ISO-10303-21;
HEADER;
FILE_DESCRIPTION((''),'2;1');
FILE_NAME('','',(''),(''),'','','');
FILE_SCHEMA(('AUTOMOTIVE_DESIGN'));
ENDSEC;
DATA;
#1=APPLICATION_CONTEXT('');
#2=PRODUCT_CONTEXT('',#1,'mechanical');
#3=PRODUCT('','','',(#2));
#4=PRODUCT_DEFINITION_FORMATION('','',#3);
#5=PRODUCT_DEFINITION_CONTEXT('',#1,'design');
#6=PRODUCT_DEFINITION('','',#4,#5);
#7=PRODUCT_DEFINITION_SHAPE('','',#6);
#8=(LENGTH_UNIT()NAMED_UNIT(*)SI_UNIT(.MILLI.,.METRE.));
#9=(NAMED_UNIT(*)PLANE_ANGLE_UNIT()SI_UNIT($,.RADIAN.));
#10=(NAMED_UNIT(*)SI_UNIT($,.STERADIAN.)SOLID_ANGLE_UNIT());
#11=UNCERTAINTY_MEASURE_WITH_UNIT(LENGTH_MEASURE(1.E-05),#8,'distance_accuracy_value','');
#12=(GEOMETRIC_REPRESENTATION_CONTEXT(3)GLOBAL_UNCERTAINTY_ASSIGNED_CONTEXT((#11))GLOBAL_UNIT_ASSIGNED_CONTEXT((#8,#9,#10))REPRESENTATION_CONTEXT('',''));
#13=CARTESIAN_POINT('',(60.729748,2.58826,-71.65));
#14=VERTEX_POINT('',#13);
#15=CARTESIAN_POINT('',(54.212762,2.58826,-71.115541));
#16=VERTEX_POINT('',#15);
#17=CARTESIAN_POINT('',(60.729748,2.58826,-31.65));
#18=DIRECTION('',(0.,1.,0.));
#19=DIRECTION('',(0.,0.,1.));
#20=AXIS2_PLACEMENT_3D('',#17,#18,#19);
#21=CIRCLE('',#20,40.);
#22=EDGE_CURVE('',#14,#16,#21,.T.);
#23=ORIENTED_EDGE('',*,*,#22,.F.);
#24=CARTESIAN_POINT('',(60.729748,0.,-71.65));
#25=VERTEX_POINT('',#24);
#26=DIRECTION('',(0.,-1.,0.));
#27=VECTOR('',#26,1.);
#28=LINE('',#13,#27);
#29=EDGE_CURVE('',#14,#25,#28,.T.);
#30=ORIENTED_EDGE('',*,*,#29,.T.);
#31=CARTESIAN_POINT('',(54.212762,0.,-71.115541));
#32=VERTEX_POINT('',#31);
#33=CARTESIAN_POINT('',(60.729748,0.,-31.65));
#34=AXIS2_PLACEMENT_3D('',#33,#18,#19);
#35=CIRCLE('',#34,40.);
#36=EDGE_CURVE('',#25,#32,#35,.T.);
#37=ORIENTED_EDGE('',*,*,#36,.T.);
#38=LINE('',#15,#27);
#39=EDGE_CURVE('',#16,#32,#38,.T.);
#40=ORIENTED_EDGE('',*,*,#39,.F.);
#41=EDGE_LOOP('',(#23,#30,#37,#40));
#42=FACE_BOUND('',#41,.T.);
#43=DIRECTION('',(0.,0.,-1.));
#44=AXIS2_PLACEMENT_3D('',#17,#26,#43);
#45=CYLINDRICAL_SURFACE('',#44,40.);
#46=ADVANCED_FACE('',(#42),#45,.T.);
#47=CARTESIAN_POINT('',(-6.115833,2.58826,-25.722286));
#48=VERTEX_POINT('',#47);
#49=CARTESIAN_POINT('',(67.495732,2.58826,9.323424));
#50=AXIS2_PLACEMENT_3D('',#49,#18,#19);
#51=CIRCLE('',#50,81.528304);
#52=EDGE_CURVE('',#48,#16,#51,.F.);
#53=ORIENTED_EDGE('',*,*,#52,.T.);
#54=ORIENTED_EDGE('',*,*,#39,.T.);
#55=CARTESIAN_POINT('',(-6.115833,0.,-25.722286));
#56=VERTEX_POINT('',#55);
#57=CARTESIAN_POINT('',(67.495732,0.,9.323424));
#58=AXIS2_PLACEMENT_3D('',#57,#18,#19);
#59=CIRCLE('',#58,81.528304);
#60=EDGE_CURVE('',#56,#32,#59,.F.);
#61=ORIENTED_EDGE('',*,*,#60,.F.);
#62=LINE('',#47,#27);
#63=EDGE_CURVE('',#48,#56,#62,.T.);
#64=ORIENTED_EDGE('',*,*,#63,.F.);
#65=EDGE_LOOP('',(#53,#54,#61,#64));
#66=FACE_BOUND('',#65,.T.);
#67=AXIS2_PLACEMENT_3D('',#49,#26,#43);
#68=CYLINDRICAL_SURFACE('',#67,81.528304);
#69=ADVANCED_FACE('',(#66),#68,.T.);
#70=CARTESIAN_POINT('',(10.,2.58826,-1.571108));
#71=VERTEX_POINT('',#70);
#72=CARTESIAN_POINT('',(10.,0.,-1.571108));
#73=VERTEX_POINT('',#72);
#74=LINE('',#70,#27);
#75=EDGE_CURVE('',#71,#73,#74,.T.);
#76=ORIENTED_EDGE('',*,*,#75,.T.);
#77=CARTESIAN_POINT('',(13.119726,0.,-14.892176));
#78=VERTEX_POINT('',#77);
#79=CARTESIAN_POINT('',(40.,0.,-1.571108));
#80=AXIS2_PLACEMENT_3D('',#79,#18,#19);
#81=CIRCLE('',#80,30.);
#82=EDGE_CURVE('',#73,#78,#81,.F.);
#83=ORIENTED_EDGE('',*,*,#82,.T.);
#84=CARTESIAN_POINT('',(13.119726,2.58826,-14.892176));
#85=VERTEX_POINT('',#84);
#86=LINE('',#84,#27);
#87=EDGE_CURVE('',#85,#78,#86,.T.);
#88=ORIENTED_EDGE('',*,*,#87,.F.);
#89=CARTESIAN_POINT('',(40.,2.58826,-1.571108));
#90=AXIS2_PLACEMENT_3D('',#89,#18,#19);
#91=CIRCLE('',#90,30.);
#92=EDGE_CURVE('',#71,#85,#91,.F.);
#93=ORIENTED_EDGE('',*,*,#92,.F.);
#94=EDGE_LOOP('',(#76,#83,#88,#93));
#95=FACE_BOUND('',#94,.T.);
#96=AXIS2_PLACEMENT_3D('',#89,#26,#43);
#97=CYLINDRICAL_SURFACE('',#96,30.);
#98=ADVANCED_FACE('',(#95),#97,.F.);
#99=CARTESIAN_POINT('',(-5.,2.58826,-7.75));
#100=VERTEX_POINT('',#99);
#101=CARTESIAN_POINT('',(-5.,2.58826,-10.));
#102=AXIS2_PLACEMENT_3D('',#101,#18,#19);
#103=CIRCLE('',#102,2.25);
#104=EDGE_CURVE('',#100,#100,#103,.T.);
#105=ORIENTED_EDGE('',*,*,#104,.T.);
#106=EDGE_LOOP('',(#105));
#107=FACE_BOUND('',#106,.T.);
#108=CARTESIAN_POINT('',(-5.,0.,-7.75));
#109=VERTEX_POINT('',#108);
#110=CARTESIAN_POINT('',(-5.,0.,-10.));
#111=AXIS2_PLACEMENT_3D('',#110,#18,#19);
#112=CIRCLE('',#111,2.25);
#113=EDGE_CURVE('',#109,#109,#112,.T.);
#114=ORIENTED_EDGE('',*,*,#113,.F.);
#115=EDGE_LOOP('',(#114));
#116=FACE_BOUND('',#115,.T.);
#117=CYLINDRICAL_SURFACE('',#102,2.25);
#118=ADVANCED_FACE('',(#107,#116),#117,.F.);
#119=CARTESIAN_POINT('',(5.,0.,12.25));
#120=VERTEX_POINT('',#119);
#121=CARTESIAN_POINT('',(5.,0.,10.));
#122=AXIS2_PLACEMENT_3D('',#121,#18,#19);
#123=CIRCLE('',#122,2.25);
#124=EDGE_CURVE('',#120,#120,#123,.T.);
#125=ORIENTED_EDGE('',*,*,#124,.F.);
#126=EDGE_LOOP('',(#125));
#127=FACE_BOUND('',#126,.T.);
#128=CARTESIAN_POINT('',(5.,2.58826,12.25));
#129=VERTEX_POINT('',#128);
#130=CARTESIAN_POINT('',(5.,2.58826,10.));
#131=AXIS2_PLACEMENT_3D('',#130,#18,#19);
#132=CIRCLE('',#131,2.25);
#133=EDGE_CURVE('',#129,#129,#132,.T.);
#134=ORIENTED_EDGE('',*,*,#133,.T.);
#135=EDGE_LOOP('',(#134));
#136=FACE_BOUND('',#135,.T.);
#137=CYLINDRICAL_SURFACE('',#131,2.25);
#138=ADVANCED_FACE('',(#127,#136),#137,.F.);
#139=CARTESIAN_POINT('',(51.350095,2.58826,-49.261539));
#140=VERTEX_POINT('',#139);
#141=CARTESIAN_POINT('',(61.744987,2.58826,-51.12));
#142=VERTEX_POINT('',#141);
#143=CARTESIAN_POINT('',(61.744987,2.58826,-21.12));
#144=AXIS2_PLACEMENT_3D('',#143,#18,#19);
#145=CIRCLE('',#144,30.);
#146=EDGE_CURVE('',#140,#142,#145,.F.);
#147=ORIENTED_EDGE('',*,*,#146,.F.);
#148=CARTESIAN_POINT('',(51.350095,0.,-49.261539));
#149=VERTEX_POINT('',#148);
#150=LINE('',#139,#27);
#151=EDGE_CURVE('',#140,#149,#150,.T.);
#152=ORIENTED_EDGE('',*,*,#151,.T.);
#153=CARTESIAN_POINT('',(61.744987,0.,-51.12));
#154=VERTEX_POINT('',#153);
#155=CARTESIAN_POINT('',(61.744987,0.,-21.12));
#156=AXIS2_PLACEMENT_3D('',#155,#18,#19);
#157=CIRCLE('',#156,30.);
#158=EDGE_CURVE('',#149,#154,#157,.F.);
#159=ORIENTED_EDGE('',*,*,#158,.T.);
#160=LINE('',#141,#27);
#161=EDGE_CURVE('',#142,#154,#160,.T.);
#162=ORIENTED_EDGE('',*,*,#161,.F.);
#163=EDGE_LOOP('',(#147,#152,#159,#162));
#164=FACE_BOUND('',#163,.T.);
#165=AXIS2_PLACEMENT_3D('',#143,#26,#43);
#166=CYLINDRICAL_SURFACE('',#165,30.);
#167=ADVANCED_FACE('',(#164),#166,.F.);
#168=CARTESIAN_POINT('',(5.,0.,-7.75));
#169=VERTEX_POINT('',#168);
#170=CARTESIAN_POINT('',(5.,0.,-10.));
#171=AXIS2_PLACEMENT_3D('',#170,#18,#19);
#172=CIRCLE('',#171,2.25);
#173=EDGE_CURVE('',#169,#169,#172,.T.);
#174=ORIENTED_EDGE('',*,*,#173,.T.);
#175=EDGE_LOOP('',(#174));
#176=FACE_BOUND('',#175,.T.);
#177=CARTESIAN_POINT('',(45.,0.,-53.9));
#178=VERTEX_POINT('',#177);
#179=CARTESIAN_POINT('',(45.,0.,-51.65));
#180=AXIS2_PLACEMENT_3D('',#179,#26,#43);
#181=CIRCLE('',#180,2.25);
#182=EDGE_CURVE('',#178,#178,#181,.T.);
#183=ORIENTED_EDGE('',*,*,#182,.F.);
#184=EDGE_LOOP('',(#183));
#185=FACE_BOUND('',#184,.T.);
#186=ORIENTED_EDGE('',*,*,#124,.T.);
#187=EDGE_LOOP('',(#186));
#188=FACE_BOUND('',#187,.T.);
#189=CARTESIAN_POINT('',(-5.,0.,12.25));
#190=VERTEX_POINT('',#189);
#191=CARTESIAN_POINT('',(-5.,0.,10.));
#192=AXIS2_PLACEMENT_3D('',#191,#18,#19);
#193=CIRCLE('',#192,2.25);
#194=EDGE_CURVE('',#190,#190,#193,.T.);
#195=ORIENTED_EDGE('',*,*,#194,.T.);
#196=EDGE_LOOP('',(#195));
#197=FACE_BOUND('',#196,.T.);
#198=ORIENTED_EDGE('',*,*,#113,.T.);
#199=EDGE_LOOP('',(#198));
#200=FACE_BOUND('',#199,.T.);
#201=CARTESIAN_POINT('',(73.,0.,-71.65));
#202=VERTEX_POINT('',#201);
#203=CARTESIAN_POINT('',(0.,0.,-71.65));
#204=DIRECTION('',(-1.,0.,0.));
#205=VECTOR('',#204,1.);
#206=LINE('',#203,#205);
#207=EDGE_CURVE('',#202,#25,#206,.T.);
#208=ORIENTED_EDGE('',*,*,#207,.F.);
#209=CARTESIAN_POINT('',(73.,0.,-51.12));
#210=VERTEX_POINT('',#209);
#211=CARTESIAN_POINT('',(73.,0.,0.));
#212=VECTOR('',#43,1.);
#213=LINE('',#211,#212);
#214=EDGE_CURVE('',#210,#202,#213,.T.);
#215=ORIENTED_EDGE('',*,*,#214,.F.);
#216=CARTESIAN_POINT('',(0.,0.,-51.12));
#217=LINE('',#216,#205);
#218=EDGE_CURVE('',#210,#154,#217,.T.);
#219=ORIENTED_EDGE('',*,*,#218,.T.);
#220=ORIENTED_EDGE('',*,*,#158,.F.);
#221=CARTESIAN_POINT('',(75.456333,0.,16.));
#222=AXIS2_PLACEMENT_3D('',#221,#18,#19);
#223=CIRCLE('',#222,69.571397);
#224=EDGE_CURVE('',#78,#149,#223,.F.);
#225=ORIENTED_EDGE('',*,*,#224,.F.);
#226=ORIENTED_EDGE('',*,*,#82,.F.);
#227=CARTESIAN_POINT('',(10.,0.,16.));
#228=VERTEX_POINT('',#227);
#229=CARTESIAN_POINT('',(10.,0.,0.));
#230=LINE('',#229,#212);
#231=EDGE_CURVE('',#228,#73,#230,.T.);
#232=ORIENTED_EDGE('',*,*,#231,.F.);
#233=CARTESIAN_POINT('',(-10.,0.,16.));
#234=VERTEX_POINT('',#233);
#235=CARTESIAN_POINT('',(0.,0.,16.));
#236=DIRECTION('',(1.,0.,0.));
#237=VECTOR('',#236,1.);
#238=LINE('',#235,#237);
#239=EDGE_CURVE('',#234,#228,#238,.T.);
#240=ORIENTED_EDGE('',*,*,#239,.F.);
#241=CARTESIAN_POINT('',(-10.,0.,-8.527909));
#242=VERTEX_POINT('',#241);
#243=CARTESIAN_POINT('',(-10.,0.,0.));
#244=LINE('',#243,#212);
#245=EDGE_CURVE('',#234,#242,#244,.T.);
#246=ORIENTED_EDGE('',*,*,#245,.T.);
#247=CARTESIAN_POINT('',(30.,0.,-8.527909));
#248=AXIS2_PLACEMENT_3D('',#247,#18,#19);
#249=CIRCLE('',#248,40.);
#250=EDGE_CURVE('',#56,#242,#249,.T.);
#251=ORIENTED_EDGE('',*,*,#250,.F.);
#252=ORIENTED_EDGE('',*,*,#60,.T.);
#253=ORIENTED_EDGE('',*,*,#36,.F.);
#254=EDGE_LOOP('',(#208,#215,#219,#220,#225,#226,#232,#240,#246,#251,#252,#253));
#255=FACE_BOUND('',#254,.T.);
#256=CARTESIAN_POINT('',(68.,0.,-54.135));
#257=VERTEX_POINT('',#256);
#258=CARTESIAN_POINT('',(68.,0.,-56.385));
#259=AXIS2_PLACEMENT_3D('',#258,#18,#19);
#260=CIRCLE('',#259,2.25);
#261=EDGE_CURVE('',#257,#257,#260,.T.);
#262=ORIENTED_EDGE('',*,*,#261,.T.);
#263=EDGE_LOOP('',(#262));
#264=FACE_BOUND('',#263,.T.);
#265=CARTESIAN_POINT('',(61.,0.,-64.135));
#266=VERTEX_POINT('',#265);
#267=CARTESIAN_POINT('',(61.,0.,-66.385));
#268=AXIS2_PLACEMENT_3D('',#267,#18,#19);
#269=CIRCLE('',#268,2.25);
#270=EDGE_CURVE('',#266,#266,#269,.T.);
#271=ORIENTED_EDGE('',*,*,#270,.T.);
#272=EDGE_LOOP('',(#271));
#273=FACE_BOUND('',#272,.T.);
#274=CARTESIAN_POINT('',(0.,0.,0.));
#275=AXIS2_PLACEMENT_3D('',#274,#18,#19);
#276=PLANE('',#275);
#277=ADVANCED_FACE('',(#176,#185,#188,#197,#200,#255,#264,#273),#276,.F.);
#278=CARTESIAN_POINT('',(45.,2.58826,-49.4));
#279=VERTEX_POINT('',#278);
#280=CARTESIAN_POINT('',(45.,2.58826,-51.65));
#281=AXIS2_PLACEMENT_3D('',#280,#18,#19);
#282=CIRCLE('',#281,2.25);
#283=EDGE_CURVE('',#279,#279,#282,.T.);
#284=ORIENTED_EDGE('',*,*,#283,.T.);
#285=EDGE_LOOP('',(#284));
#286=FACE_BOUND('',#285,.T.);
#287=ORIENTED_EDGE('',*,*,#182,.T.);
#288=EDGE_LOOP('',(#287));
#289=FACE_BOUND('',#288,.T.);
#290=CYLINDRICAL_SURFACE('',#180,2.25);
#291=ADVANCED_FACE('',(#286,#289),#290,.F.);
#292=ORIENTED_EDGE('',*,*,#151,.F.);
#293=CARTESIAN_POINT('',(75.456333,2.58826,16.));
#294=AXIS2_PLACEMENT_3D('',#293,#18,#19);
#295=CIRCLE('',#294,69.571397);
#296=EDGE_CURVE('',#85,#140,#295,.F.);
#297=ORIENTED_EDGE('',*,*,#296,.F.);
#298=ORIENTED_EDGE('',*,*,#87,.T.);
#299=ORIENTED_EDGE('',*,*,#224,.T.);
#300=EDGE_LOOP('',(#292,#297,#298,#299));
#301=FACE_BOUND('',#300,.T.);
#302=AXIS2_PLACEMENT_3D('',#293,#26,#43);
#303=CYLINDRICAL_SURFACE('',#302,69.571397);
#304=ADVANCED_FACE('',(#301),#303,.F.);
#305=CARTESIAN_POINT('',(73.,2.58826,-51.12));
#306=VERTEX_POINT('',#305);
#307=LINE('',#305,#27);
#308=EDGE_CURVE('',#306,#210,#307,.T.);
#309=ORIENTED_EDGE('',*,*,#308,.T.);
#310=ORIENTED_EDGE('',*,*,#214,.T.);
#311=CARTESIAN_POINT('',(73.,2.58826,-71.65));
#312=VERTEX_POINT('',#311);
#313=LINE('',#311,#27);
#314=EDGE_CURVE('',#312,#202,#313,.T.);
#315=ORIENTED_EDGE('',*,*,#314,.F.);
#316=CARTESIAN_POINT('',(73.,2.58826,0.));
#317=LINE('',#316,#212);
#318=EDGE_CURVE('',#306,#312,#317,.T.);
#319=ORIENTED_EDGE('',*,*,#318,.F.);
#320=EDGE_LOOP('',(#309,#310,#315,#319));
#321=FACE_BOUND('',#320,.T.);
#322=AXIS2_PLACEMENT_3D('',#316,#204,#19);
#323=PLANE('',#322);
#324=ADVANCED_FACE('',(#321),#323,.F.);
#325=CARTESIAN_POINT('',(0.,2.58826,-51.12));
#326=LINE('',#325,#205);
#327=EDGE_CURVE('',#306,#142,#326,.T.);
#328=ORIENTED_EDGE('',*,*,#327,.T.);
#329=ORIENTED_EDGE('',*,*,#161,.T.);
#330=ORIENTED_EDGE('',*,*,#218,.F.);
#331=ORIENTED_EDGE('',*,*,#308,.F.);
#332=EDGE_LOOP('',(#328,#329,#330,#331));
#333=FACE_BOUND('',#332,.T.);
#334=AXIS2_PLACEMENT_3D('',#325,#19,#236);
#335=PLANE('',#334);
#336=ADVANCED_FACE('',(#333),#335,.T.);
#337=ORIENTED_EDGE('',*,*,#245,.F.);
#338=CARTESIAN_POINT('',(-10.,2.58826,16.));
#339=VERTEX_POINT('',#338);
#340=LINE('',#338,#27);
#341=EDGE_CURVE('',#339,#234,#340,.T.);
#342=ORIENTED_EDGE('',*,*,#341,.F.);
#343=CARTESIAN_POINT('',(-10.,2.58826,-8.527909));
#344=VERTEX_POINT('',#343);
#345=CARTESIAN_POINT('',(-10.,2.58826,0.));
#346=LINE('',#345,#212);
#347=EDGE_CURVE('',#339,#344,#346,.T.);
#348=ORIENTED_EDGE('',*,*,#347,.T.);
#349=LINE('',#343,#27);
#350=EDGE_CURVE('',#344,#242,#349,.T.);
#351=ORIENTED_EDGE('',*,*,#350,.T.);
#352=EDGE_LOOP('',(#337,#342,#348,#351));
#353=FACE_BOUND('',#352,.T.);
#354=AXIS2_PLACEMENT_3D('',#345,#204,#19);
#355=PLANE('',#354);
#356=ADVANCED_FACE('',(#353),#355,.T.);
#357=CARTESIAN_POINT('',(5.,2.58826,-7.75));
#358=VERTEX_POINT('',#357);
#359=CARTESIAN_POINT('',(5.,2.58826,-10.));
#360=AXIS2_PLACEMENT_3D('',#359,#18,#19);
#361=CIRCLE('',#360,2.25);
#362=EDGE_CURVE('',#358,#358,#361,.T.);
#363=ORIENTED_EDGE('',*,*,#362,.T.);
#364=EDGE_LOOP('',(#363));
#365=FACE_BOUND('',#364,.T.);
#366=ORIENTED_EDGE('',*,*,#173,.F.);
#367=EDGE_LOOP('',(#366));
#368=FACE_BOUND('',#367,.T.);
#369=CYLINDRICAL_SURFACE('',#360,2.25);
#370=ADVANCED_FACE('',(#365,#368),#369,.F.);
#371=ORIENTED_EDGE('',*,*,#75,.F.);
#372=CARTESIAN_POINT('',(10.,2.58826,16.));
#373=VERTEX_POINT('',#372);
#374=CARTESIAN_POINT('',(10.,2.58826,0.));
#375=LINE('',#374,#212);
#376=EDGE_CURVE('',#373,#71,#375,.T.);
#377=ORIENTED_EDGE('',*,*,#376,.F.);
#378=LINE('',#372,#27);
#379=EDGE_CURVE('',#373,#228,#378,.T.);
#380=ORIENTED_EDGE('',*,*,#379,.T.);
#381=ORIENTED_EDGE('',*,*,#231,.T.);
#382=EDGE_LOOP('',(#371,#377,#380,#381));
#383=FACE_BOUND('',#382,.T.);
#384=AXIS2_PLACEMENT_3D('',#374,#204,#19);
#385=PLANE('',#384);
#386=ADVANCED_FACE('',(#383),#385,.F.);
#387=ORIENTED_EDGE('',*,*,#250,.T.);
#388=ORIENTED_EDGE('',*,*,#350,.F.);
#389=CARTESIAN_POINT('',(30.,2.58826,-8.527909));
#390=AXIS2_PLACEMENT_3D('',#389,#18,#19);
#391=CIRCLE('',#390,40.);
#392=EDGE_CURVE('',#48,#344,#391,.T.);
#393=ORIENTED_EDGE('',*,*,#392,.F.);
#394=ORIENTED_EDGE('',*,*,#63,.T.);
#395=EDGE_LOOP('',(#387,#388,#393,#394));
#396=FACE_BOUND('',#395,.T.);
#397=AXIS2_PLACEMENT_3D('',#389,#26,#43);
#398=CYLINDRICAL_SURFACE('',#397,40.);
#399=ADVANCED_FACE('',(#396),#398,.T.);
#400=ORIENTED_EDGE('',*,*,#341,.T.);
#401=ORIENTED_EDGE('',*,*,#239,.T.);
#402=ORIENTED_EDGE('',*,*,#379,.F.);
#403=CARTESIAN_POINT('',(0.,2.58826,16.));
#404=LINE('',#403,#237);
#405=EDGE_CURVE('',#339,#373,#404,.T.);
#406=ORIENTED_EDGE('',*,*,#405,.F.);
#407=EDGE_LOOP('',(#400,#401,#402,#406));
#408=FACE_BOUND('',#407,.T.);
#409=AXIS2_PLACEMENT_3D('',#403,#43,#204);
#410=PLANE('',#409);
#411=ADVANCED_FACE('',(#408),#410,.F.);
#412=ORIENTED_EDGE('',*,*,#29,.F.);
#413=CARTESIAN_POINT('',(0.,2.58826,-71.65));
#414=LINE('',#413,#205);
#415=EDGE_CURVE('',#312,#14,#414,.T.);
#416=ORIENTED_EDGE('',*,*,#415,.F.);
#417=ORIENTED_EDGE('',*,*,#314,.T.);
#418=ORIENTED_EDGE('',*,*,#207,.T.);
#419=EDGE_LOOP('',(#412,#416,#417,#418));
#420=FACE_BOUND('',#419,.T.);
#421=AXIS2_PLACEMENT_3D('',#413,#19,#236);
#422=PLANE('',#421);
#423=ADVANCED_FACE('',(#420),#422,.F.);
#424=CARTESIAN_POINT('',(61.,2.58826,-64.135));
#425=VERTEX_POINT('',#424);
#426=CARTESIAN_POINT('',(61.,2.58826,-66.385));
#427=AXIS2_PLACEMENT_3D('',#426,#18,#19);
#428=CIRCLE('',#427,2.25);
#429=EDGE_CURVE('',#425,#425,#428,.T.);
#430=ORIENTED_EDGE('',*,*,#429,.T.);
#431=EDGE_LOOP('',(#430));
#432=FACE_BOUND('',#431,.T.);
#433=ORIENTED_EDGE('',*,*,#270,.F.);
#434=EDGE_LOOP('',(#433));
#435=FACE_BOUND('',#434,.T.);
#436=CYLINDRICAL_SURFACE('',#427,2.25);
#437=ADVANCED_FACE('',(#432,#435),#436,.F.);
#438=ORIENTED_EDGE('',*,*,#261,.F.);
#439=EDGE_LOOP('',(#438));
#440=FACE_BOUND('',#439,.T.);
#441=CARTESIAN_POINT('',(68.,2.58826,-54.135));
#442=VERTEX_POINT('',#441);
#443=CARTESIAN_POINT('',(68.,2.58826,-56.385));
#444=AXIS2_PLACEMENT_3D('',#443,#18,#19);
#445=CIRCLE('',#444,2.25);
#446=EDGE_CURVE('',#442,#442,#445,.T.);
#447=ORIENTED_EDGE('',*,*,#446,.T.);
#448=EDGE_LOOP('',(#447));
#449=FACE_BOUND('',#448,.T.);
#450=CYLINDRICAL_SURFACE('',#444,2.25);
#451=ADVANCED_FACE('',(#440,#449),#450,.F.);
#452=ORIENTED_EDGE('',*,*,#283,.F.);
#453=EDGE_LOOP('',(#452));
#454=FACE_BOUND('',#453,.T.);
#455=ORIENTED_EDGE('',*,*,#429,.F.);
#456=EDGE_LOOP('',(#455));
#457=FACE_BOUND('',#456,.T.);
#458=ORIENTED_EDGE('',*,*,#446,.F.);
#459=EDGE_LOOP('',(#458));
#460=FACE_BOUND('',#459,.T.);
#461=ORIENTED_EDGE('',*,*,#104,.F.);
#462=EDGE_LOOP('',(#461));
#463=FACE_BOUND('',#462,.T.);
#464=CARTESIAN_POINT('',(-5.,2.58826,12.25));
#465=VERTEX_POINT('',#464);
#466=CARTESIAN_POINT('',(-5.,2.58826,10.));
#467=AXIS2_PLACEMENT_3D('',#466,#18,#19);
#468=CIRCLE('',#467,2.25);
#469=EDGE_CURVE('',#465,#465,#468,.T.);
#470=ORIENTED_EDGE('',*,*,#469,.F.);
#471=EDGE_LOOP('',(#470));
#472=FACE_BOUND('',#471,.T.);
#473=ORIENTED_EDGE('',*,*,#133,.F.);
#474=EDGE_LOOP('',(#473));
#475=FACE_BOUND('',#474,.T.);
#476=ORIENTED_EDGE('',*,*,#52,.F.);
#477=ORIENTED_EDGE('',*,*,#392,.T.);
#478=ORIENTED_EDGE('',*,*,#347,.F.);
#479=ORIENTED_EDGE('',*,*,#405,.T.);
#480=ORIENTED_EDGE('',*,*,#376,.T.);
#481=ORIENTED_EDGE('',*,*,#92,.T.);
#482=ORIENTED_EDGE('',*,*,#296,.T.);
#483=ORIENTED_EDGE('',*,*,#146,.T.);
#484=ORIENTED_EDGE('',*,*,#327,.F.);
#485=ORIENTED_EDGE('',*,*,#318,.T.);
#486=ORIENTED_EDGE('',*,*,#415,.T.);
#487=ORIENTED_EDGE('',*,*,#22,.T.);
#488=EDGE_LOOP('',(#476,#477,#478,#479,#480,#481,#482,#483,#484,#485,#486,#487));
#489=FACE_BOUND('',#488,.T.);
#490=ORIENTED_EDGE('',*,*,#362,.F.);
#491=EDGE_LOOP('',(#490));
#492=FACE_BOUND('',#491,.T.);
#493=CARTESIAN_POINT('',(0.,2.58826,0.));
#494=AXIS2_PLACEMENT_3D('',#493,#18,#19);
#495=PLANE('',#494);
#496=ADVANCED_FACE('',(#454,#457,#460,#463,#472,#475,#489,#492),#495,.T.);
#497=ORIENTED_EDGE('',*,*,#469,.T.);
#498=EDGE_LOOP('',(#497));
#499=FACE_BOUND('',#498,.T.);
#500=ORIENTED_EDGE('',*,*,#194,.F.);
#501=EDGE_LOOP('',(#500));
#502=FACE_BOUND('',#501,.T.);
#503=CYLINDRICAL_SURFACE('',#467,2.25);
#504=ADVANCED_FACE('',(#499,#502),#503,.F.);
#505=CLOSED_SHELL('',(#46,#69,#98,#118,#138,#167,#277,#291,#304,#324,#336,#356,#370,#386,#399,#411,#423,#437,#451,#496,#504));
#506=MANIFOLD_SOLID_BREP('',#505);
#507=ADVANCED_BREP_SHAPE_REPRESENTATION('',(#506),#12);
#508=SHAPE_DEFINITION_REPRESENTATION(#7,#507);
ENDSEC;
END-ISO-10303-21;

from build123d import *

# Parameters (mm, degrees)
BOSS_EXTRUDE1_DEPTH      = 2.58826
M4_CLEARANCE_HOLE1_D     = 4.5
M4_CLEARANCE_HOLE2_D     = 4.5
M4_CLEARANCE_HOLE3_D     = 4.5
M4_CLEARANCE_HOLE3_DEPTH = 12.45
M4_CLEARANCE_HOLE3_TIP   = 1.351936393


with BuildPart() as part:
    # Sketch1 → Boss-Extrude1 (new body)
    with BuildSketch(Plane(origin=(0, 0, 0), x_dir=(1, 0, 0), z_dir=(0, 1, 0))):
        with BuildLine():
            Line((-10, -16), (10, -16))
            Line((10, -16), (10, 1.571108341))
            ThreePointArc((10, 1.571108341), (10.790342052, 8.411859949), (13.119725505, 14.89217598))
            ThreePointArc((13.119725505, 14.89217598), (28.94391879, 35.737554133), (51.350094649, 49.261539007))
            ThreePointArc((51.350094649, 49.261539007), (56.465127412, 50.651730141), (61.744986775, 51.12))
            Line((61.744986775, 51.12), (73, 51.12))
            Line((73, 51.12), (73, 71.65))
            Line((73, 71.65), (60.729747862, 71.65))
            ThreePointArc((60.729747862, 71.65), (57.460315443, 71.516161236), (54.212761864, 71.115540583))
            ThreePointArc((54.212761864, 71.115540583), (18.477348074, 55.823044348), (-6.115833148, 25.722285599))
            ThreePointArc((-6.115833148, 25.722285599), (-9.016876643, 17.34172385), (-10, 8.527908726))
            Line((-10, 8.527908726), (-10, -16))
        make_face()
    extrude(amount=BOSS_EXTRUDE1_DEPTH)

    # M4 Clearance Hole1 (through all)
    with Locations(Plane(origin=(0, 2.58826, 0), x_dir=(1, 0, 0), z_dir=(0, 1, 0))):
        with Locations((-5, 10), (5, 10), (5, -10), (-5, -10)):
            Hole(M4_CLEARANCE_HOLE1_D / 2)

    # M4 Clearance Hole2 (through all)
    with Locations(Plane(origin=(0, 2.58826, 0), x_dir=(1, 0, 0), z_dir=(0, 1, 0))):
        with Locations((61, 66.385), (68, 56.385)):
            Hole(M4_CLEARANCE_HOLE2_D / 2)

    # M4 Clearance Hole3
    with Locations(Plane(origin=(0, 0, 0), x_dir=(-1, 0, 0), z_dir=(0, -1, 0))):
        with Locations((-45, 51.65)):
            Hole(M4_CLEARANCE_HOLE3_D / 2, depth=M4_CLEARANCE_HOLE3_DEPTH)
            with Locations((0, 0, -(M4_CLEARANCE_HOLE3_DEPTH + M4_CLEARANCE_HOLE3_TIP / 2))):  # 118° drill point
                Cone(0, M4_CLEARANCE_HOLE3_D / 2, M4_CLEARANCE_HOLE3_TIP, mode=Mode.SUBTRACT)


solid = part.part
